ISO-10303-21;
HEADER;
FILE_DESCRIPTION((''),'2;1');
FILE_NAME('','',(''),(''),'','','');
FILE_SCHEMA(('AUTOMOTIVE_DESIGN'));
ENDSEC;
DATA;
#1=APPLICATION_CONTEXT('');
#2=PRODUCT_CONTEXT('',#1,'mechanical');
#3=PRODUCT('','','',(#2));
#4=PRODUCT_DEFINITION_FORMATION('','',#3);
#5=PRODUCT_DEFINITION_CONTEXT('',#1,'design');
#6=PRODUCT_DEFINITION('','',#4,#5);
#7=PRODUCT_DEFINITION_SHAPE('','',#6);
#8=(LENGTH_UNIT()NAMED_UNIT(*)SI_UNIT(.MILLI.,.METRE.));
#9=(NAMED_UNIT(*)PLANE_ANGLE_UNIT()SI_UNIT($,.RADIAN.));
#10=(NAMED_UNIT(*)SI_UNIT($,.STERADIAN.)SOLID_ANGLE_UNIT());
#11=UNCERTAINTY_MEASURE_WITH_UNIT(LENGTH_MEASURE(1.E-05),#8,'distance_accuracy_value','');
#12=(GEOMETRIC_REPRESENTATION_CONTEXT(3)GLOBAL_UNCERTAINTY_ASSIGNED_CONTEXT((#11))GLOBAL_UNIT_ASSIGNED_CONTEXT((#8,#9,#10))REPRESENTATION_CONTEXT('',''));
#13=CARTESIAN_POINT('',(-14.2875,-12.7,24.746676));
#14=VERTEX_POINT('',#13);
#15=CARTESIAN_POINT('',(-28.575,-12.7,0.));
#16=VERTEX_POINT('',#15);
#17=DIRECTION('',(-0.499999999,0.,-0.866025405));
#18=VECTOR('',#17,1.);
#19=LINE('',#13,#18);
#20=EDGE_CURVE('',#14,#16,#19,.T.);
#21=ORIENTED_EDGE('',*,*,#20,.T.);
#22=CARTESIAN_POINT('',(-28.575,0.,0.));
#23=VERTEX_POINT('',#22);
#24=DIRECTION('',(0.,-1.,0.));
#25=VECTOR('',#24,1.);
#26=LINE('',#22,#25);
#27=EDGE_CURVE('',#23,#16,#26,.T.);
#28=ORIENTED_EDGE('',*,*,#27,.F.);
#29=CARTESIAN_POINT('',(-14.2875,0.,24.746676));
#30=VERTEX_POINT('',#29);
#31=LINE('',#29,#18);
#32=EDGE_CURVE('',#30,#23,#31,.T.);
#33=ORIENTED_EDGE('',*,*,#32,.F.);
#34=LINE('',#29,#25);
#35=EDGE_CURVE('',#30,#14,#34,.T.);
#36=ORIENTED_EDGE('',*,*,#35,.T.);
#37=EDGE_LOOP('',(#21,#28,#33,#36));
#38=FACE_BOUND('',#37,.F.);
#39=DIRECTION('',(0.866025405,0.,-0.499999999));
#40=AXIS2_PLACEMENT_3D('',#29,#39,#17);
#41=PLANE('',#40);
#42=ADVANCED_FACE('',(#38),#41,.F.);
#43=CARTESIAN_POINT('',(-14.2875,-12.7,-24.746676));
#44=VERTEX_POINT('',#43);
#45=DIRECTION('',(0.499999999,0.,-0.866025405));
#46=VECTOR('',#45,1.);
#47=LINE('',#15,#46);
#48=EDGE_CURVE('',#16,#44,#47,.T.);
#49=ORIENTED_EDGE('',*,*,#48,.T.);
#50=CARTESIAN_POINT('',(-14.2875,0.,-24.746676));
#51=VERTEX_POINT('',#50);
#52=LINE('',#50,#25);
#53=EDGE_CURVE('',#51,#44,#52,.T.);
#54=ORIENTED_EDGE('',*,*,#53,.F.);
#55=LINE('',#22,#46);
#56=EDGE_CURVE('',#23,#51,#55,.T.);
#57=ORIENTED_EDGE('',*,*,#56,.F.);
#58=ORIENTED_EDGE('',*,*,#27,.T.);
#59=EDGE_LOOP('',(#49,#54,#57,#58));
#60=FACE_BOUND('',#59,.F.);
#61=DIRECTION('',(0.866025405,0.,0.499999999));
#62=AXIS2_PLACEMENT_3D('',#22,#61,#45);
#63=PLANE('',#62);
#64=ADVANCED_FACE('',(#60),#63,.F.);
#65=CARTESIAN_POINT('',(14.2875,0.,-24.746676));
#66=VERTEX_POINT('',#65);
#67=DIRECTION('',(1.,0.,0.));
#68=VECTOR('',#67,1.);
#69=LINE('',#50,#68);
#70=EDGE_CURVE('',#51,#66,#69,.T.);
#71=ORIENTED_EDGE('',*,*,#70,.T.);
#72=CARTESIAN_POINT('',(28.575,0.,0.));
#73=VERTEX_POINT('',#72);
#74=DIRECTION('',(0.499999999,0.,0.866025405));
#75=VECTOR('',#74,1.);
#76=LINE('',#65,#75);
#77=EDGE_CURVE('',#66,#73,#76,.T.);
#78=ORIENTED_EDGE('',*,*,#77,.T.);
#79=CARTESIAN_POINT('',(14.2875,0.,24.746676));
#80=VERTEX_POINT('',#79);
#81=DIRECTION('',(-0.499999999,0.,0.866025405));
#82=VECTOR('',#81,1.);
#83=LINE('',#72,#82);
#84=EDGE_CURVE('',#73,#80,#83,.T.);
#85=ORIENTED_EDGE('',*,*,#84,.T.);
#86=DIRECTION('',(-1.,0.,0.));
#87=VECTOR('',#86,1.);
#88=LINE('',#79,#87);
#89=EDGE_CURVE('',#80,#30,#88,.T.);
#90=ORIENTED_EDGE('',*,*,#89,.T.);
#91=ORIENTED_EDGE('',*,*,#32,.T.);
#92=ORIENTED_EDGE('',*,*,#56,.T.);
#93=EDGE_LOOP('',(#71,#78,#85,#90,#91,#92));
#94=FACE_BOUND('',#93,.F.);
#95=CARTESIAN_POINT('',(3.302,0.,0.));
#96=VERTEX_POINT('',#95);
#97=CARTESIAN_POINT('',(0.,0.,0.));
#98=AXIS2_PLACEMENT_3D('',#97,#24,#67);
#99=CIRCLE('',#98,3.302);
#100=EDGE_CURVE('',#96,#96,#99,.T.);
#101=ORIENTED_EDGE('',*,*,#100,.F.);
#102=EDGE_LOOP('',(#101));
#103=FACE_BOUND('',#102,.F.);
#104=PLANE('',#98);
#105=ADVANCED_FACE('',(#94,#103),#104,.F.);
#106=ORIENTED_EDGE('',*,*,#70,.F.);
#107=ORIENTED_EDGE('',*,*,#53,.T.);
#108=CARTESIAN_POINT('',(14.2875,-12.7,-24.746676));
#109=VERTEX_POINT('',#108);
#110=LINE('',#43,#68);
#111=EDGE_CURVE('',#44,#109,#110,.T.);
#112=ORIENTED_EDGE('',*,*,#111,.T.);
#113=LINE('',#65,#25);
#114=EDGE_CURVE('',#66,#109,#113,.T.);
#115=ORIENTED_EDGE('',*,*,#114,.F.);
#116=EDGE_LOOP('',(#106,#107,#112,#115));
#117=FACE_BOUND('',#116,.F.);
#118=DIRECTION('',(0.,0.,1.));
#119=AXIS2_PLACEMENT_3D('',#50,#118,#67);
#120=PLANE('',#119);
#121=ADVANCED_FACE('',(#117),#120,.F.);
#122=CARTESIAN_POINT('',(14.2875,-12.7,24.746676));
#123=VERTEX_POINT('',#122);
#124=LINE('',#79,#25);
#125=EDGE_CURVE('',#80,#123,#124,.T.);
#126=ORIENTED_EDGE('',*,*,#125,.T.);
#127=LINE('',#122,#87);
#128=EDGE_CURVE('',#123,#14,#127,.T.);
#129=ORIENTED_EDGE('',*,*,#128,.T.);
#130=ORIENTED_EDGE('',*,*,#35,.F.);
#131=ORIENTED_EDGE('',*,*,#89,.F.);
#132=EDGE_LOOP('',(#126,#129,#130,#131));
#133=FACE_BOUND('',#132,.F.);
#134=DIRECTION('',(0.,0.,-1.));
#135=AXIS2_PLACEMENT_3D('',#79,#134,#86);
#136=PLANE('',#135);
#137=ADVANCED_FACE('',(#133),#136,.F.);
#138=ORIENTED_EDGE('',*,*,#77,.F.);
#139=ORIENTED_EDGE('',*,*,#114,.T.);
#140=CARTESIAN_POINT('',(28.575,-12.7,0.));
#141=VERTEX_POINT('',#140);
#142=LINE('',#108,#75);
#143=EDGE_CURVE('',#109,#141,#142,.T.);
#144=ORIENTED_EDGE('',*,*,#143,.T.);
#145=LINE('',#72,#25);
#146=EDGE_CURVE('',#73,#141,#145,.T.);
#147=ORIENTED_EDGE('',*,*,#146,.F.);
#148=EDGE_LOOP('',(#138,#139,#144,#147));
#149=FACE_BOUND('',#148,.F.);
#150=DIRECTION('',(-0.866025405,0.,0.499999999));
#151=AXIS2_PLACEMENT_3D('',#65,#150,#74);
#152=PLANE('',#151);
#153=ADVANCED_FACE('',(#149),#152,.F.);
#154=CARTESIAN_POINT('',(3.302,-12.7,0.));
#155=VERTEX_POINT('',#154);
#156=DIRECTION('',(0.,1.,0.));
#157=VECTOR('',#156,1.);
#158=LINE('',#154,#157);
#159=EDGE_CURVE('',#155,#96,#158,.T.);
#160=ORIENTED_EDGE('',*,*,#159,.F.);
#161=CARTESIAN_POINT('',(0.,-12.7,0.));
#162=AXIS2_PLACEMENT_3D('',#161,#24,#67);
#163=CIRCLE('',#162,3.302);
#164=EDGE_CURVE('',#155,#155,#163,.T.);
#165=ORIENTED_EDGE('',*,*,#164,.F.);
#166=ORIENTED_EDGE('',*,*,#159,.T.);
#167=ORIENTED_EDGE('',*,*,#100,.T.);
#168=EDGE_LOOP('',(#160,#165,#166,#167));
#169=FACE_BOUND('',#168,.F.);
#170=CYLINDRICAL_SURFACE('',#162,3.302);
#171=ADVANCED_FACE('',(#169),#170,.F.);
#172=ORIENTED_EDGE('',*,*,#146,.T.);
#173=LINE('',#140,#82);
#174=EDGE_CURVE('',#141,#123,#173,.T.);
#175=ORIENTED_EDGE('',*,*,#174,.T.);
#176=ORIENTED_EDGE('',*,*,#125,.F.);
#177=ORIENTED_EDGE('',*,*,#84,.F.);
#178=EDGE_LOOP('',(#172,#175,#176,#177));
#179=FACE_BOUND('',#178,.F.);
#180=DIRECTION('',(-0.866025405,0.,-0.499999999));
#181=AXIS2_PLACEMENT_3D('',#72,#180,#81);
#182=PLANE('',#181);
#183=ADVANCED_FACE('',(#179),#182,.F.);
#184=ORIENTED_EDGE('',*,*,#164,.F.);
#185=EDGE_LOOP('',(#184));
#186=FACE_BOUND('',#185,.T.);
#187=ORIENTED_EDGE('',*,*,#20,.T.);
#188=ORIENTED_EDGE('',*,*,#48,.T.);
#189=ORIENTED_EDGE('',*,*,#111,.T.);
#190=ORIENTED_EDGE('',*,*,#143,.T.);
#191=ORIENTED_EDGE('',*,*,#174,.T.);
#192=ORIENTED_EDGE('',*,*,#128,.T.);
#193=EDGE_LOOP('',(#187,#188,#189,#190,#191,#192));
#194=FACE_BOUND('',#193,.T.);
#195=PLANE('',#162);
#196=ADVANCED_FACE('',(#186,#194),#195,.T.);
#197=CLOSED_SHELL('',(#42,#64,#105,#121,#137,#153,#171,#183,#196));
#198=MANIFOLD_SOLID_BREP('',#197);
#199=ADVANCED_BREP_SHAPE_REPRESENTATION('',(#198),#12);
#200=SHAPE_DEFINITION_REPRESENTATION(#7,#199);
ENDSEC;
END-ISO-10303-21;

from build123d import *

# Parameters (mm, degrees)
F1_DEPTH = 12.7
F2_R     = 3.302
F3_DEPTH = 25.4


with BuildPart() as f1:
    # F0 (on Front) → F1 (new body)
    with BuildSketch(Plane.XZ):
        Polygon((14.2875, -24.746676), (28.575, 0), (14.2875, 24.746676), (-14.2875, 24.746676), (-28.575, 0), (-14.2875, -24.746676), align=None)
    extrude(amount=F1_DEPTH)

    # F2 (on face) → F3 (cut)
    with BuildSketch(Plane.XZ.offset(12.7)):
        Circle(F2_R)
    extrude(amount=-F3_DEPTH, mode=Mode.SUBTRACT)


solid = f1.part
